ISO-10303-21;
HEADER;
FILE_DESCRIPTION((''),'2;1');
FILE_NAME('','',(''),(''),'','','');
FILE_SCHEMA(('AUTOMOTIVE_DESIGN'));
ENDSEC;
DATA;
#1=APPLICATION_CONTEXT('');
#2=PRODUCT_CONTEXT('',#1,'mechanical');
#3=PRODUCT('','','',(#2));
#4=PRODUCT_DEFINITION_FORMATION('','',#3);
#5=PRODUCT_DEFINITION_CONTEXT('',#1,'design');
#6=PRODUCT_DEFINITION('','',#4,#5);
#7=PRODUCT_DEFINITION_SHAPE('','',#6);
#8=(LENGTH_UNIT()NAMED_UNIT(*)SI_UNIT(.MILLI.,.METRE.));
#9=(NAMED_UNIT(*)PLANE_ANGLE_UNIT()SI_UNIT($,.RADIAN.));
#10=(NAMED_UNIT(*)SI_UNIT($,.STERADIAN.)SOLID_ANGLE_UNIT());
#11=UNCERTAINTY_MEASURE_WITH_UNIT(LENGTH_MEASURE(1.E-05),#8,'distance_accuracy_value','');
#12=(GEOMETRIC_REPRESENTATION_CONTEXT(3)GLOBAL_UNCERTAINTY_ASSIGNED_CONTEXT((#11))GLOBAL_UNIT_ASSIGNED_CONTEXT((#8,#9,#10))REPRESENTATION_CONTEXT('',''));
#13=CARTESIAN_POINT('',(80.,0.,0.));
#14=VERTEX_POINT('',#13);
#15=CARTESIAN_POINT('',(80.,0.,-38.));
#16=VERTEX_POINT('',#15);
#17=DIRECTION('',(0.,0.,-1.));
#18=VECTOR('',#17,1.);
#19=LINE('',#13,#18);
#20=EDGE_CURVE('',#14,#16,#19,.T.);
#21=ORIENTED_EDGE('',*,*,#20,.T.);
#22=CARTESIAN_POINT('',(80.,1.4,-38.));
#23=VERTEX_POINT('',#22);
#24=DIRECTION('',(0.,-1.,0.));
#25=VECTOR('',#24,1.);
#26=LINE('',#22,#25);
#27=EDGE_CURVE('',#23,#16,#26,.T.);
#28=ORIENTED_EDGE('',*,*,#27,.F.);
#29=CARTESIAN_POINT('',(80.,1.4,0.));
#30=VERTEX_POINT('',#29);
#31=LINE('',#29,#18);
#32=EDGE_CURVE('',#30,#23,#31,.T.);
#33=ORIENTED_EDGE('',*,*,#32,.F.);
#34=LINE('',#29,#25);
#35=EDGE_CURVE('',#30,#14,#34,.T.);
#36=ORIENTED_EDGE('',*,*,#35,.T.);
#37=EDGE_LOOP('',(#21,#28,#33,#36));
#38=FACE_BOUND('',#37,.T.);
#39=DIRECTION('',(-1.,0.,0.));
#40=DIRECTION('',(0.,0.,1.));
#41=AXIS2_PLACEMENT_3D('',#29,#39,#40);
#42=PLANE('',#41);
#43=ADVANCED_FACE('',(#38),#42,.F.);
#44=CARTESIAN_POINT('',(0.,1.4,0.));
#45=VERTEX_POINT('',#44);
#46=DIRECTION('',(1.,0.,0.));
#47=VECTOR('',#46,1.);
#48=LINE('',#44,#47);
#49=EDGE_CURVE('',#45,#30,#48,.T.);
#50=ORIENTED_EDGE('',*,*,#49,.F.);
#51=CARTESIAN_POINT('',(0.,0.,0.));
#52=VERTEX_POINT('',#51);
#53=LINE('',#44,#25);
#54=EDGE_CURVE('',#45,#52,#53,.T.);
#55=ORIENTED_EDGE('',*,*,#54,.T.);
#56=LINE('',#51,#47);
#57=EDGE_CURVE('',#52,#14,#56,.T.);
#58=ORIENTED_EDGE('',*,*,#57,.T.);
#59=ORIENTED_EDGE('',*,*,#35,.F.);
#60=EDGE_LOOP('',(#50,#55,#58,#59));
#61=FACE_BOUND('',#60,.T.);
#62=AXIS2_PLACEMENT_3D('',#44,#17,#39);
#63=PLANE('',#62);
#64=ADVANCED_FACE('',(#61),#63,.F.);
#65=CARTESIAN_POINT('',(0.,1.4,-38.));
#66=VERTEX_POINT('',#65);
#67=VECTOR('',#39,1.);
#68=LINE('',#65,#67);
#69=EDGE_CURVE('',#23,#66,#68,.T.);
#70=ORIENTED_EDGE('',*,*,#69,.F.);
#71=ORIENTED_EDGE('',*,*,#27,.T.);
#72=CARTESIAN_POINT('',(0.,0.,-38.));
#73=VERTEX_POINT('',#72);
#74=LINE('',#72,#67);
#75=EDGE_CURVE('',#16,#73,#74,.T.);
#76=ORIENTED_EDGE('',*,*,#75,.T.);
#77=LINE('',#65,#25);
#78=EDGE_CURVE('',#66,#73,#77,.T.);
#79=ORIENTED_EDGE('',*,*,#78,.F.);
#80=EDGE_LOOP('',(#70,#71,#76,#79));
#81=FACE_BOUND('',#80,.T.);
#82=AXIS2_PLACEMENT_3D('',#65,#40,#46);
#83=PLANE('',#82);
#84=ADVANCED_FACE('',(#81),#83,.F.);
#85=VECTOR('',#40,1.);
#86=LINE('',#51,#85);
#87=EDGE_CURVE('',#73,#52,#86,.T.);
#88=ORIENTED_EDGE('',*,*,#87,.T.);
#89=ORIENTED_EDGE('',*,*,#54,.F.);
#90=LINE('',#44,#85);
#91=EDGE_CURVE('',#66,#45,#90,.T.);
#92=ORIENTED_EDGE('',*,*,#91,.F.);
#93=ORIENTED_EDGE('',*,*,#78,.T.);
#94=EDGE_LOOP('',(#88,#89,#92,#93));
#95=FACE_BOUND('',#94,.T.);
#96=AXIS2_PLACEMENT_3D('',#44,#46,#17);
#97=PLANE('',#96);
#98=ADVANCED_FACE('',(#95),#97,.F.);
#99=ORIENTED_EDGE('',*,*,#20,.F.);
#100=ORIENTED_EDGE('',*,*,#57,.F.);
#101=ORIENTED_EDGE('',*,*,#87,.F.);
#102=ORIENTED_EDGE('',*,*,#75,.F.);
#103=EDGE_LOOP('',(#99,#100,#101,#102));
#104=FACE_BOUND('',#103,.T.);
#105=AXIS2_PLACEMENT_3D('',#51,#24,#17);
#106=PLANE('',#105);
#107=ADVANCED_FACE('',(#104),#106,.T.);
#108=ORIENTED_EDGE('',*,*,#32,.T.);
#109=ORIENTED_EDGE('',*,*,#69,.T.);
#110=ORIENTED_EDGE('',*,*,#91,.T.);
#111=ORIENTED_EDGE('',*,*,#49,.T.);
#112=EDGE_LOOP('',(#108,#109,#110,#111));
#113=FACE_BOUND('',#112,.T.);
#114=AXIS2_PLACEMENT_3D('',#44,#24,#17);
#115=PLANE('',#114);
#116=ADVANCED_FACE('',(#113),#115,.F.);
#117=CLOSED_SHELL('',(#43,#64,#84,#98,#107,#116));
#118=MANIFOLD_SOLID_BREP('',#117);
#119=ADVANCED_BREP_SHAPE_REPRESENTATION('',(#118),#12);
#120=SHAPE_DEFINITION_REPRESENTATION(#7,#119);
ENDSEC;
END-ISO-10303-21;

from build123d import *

# Parameters (mm, degrees)
SKETCH_1_W      = 80
SKETCH_1_H      = 38
EXTRUDE_1_DEPTH = 1.4


with BuildPart() as part:
    # 草图1 → 凸台-拉伸1 (new body)
    with BuildSketch(Plane(origin=(0, 0, 0), x_dir=(1, 0, 0), z_dir=(0, 1, 0))):
        with Locations((40, 19)):
            Rectangle(SKETCH_1_W, SKETCH_1_H)
    extrude(amount=EXTRUDE_1_DEPTH)


solid = part.part
